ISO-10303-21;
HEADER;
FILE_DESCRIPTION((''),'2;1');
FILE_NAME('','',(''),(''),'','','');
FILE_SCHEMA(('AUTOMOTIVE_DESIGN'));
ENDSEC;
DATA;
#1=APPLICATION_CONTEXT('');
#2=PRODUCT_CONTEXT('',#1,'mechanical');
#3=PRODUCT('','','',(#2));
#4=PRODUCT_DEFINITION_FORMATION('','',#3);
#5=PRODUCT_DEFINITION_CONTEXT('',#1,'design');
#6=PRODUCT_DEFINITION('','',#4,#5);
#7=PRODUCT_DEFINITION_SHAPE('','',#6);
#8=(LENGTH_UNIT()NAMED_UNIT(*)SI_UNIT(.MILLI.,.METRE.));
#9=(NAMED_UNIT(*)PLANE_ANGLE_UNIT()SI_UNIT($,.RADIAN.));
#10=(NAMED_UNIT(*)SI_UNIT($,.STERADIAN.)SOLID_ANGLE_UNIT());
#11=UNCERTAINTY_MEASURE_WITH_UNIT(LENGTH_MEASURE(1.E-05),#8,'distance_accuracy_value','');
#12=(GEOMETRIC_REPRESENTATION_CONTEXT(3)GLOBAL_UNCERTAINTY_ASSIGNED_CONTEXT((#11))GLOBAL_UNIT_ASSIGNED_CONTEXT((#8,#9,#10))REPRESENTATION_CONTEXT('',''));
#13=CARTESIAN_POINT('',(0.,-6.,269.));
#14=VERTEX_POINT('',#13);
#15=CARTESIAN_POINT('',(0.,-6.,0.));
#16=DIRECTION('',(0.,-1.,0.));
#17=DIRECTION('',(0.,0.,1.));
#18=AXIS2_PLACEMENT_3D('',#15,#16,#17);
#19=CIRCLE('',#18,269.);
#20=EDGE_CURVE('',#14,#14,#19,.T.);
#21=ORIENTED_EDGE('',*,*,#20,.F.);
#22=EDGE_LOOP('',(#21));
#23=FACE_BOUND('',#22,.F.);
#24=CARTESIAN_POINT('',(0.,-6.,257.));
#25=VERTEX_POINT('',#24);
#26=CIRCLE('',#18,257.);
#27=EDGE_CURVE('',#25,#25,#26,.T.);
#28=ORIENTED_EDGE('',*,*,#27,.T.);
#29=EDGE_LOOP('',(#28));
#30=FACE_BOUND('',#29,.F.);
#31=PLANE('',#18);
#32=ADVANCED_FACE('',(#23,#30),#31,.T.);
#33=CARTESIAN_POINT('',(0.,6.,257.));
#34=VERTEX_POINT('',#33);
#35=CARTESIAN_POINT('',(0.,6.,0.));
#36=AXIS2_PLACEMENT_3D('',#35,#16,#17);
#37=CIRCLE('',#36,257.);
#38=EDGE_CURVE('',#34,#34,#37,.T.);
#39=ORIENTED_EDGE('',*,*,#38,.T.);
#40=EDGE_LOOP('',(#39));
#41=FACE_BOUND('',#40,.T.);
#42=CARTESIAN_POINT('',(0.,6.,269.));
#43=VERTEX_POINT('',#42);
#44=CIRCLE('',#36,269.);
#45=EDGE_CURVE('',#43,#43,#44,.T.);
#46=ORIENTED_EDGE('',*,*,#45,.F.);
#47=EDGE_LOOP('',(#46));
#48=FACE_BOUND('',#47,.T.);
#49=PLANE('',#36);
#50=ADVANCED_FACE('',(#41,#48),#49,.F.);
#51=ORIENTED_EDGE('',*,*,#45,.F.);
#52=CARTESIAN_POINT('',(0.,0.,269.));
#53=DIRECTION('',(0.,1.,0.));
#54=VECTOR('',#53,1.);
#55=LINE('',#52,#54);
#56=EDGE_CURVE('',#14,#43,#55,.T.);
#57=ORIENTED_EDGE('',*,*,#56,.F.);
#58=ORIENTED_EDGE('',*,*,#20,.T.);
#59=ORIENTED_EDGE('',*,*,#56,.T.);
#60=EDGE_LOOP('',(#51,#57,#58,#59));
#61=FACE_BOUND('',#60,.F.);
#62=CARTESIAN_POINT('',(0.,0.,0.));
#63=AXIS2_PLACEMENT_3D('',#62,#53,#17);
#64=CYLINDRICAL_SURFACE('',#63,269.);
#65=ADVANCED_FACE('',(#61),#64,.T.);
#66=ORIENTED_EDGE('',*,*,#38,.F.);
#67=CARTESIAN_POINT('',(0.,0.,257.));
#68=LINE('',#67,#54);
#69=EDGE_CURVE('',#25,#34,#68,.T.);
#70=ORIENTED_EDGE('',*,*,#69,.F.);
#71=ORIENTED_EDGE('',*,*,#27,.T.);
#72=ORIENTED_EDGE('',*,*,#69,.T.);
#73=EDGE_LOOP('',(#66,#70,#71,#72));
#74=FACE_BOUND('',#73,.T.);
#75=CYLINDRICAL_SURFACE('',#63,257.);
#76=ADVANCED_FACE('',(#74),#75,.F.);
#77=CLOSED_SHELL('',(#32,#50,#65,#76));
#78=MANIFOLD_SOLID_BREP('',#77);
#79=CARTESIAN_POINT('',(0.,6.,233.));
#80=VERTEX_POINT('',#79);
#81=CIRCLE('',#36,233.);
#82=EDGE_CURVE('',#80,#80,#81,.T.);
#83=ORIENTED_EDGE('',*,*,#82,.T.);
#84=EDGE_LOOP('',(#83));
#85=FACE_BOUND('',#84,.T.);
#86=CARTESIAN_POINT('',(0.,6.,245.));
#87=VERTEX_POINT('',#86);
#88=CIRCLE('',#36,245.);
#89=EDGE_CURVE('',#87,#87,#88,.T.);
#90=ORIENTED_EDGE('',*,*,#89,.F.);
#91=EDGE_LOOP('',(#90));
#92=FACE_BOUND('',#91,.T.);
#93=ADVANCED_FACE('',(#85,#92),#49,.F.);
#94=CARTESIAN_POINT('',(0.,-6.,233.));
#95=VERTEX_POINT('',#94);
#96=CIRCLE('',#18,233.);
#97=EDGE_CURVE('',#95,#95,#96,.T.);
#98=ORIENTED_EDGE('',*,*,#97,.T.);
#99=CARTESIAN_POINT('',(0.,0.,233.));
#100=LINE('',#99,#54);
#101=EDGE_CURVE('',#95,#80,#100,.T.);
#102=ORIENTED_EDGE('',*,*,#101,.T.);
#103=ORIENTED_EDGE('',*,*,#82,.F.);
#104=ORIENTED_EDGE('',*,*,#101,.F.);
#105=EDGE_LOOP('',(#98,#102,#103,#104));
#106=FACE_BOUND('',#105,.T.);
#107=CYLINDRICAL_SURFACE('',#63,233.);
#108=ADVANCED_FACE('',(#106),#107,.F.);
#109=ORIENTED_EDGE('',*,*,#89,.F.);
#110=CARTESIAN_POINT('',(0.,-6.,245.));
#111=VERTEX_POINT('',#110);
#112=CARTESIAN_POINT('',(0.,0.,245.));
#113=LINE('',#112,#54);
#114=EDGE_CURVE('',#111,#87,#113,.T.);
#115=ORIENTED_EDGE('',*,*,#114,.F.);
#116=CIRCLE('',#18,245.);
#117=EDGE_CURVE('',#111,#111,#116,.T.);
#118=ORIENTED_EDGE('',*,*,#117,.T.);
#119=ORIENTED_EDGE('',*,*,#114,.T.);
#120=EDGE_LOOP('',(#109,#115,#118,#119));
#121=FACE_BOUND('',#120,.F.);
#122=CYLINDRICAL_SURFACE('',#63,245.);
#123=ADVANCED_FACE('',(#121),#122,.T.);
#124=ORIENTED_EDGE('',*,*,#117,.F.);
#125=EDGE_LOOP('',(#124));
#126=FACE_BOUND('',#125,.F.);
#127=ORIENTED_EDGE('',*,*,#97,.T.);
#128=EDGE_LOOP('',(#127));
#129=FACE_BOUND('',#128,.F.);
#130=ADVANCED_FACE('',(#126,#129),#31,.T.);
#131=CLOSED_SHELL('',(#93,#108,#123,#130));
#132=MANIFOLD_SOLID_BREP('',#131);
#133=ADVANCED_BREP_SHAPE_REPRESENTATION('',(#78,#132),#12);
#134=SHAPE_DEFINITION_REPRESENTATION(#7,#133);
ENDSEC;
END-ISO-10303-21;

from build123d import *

# Parameters (mm, degrees)
F1_W = 12
F1_H = 12


with BuildPart() as f2:
    # F1 (on Right) → F2 (revolve)
    with BuildSketch(Plane.YZ):
        with Locations((0, 263)):
            Rectangle(F1_W, F1_H)
    revolve(axis=Axis((0, 0, 0), (0, -1, 0)))


with BuildPart() as f3:
    # F1 (on Right) → F3 (revolve)
    with BuildSketch(Plane.YZ):
        with Locations((0, 239)):
            Rectangle(F1_W, F1_H)
    revolve(axis=Axis((0, 0, 0), (0, -1, 0)))


solid = Compound([f2.part, f3.part])
